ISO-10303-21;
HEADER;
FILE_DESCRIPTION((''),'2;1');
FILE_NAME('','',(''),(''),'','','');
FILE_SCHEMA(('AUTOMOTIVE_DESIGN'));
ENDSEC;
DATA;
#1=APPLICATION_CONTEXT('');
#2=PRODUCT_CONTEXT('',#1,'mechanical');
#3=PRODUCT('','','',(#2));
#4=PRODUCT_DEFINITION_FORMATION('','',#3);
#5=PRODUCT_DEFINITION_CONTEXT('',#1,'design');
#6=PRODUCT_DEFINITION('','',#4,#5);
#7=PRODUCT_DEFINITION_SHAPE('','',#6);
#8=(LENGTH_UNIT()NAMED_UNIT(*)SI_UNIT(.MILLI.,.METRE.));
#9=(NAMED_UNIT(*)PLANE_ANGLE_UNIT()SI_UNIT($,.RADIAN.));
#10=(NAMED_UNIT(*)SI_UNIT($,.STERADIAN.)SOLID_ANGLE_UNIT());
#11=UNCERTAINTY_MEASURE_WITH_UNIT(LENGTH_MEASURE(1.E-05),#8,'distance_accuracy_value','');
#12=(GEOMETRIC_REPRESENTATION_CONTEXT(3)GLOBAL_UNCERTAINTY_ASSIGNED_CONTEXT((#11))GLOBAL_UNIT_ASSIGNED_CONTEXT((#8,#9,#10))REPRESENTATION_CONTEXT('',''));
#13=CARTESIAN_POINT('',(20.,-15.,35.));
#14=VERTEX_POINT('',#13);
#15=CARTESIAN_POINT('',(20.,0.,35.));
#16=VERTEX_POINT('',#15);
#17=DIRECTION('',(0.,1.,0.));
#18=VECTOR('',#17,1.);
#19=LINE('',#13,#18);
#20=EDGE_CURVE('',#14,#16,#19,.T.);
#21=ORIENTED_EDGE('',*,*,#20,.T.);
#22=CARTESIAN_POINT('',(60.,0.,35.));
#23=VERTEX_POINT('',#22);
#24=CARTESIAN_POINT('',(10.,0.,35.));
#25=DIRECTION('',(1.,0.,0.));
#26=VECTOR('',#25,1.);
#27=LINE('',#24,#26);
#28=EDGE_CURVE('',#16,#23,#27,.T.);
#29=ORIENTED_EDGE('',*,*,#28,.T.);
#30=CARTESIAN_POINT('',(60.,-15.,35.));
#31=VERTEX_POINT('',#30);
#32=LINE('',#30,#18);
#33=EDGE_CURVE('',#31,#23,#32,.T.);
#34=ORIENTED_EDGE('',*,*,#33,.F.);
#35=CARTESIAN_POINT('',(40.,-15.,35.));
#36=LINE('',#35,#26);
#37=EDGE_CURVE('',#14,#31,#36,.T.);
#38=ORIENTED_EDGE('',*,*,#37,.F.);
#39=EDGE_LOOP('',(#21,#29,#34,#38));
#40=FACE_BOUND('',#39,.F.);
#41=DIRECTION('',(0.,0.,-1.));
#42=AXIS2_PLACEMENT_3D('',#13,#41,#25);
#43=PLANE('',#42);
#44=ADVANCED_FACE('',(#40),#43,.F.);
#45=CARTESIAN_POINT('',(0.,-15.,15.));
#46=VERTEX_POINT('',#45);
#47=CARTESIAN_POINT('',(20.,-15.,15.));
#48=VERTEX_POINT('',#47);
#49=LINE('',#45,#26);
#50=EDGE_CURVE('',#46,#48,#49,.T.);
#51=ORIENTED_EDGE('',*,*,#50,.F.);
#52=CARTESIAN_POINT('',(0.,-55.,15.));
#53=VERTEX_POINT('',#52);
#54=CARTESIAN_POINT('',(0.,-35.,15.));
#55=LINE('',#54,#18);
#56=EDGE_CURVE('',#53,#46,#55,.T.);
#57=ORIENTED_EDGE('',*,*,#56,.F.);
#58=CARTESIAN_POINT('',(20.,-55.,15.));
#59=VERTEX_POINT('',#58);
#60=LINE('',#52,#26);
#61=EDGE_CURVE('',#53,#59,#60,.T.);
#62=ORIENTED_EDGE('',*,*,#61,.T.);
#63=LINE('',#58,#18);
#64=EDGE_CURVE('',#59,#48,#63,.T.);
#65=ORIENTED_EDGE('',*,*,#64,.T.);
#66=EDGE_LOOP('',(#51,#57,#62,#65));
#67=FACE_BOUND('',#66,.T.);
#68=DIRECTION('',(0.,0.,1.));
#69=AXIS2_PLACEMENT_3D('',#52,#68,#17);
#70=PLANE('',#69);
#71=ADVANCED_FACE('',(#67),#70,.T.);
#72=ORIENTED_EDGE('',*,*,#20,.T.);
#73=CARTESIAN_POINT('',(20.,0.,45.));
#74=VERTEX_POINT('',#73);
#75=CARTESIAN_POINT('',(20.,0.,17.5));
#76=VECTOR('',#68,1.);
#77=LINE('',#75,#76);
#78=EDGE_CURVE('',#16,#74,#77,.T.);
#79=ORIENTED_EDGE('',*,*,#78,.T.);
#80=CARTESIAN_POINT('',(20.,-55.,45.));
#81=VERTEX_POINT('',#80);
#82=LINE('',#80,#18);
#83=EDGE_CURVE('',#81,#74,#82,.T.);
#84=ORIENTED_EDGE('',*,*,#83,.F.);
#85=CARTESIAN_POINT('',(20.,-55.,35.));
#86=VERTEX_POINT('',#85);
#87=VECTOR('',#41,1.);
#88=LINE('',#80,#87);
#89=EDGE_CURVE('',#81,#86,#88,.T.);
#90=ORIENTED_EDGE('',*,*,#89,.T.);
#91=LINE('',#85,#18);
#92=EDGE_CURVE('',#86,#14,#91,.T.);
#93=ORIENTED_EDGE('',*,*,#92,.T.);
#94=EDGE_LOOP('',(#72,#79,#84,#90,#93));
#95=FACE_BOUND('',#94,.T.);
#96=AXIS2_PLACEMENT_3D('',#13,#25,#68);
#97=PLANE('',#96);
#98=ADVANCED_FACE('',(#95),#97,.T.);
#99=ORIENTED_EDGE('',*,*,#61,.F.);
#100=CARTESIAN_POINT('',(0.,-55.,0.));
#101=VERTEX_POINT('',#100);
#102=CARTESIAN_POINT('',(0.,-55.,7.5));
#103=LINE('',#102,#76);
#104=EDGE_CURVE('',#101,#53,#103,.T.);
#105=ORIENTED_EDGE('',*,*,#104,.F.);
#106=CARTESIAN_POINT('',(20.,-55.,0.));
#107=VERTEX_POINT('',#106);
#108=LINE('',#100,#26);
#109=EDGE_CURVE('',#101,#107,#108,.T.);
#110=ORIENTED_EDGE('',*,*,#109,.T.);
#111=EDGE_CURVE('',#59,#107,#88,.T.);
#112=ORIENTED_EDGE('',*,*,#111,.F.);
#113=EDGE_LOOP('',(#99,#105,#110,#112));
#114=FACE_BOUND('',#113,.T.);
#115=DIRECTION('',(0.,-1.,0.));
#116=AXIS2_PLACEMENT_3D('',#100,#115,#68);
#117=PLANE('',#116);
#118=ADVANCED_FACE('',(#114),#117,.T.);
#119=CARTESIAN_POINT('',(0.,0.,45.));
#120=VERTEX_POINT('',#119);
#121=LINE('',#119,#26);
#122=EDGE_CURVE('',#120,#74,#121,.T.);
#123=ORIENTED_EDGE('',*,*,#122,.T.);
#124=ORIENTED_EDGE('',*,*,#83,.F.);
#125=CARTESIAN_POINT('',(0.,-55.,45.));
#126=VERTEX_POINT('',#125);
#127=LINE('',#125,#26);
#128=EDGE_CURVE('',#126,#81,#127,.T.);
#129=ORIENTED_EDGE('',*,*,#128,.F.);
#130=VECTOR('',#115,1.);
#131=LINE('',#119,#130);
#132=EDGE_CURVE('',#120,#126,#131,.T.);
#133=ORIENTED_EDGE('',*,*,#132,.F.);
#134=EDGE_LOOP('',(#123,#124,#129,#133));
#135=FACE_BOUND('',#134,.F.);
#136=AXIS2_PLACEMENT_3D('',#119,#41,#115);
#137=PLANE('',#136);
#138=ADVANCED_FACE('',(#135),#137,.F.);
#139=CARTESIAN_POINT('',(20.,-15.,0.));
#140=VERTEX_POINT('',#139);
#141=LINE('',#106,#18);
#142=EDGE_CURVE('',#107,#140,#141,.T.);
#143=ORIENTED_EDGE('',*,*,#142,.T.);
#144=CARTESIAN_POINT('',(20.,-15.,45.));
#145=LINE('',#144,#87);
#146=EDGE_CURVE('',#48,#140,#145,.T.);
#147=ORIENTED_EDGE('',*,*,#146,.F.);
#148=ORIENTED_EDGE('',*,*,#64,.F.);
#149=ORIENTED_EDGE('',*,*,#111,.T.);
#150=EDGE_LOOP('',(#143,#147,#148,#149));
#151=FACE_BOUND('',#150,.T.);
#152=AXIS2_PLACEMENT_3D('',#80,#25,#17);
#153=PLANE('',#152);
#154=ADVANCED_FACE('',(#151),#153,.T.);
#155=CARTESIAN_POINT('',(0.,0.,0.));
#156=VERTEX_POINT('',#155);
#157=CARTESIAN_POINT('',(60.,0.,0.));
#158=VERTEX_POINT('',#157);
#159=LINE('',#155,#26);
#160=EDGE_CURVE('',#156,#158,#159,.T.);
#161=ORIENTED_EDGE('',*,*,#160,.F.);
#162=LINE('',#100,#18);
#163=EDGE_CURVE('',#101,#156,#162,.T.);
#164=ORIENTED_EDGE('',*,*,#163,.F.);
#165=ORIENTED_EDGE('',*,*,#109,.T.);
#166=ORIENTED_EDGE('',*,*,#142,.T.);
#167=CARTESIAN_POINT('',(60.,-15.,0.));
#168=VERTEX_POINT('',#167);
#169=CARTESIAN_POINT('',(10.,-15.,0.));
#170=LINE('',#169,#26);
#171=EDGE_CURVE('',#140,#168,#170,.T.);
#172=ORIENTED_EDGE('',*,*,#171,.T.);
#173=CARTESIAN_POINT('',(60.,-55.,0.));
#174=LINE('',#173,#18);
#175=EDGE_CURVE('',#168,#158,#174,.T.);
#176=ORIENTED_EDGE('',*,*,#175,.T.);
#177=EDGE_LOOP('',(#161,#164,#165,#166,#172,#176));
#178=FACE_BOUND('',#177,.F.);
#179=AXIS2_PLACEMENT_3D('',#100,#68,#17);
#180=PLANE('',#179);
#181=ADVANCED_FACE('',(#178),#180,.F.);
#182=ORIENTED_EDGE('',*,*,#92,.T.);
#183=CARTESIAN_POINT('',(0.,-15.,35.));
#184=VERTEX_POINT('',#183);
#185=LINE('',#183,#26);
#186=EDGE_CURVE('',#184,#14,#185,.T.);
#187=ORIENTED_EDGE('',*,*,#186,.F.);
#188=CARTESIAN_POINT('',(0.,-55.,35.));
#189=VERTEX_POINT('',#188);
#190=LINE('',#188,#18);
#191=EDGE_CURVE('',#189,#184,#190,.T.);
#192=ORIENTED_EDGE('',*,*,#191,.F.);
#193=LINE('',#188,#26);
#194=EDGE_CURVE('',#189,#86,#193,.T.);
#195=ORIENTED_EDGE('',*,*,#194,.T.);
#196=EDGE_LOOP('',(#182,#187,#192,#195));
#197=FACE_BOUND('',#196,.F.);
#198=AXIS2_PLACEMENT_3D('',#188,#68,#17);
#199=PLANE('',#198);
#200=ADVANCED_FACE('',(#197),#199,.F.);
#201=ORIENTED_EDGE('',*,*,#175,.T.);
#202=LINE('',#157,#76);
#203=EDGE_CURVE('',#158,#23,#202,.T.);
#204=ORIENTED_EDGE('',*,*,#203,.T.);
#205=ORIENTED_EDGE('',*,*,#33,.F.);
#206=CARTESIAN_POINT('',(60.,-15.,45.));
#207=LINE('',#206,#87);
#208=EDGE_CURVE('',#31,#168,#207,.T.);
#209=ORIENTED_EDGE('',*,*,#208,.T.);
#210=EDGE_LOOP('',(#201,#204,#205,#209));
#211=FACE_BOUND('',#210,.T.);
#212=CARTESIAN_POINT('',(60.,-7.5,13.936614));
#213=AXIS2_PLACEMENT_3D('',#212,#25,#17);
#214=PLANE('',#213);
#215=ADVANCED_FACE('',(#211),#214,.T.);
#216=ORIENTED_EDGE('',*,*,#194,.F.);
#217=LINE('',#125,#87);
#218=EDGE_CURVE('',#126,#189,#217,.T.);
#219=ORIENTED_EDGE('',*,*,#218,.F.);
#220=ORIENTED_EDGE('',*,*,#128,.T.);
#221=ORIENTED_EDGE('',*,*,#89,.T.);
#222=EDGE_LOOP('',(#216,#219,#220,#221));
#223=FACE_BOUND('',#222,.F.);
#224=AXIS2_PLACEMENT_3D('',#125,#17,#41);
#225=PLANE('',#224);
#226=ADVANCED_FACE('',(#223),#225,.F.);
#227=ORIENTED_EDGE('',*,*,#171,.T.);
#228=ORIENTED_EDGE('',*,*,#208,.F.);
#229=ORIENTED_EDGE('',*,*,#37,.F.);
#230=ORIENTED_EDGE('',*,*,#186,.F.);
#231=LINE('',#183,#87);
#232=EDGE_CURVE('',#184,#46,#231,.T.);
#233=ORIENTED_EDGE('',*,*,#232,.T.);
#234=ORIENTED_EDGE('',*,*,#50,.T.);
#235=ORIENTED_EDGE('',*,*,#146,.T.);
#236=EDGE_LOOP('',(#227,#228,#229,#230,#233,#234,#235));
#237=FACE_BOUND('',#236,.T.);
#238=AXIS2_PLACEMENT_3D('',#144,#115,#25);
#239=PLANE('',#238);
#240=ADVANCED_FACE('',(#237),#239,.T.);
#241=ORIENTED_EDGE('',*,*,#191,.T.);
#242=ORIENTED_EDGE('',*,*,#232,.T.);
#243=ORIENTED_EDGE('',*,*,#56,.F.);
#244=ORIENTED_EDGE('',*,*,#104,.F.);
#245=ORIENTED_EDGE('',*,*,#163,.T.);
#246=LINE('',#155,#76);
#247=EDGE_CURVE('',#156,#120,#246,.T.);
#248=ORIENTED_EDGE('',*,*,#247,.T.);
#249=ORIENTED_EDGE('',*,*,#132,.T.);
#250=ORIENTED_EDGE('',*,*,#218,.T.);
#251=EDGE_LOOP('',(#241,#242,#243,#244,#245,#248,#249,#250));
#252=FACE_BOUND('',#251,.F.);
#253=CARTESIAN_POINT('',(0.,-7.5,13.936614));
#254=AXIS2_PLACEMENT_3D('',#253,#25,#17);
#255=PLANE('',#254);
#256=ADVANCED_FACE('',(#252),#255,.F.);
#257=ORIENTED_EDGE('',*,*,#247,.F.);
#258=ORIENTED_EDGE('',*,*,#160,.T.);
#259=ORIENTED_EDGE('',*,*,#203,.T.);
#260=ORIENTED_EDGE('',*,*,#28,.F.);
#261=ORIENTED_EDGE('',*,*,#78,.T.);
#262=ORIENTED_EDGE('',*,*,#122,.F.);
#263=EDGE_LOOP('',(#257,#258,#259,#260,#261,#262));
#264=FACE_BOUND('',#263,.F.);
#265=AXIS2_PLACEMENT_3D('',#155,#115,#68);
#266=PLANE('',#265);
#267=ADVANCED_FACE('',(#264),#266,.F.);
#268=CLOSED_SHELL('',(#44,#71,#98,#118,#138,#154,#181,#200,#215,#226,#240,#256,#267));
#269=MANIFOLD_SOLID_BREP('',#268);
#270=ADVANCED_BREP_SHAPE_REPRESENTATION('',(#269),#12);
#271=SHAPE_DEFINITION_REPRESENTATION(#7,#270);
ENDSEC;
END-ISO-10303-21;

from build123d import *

# Parameters (mm, degrees)
F0_W     = 40
F0_H     = 15
F1_DEPTH = 60
F2_W     = 40
F2_H     = 40
F3_DEPTH = 45.001
F4_W     = 40
F4_H     = 10
F5_DEPTH = 25


with BuildPart() as f1:
    # F0 (on Right) → F1 (new body)
    with BuildSketch(Plane.YZ):
        Polygon((-15, 0), (0, 0), (0, 27.873229), (-15, 27.873229), (-15, 15), align=None)
        with Locations((-35, 7.5)):
            Rectangle(F0_W, F0_H)
        Polygon((-15, 27.873229), (0, 27.873229), (0, 45), (-55, 45), (-55, 35), (-15, 35), align=None)
    extrude(amount=F1_DEPTH)

    # F2 (on face) → F3 (cut, through all)
    with BuildSketch(Plane.XY.offset(45)):
        with Locations((40, -35)):
            Rectangle(F2_W, F2_H)
    extrude(amount=-F3_DEPTH, mode=Mode.SUBTRACT)

    # F4 (on face) → F5 (cut)
    with BuildSketch(Plane.XZ.offset(15)):
        with Locations((40, 40)):
            Rectangle(F4_W, F4_H)
    extrude(amount=-F5_DEPTH, mode=Mode.SUBTRACT)


solid = f1.part
